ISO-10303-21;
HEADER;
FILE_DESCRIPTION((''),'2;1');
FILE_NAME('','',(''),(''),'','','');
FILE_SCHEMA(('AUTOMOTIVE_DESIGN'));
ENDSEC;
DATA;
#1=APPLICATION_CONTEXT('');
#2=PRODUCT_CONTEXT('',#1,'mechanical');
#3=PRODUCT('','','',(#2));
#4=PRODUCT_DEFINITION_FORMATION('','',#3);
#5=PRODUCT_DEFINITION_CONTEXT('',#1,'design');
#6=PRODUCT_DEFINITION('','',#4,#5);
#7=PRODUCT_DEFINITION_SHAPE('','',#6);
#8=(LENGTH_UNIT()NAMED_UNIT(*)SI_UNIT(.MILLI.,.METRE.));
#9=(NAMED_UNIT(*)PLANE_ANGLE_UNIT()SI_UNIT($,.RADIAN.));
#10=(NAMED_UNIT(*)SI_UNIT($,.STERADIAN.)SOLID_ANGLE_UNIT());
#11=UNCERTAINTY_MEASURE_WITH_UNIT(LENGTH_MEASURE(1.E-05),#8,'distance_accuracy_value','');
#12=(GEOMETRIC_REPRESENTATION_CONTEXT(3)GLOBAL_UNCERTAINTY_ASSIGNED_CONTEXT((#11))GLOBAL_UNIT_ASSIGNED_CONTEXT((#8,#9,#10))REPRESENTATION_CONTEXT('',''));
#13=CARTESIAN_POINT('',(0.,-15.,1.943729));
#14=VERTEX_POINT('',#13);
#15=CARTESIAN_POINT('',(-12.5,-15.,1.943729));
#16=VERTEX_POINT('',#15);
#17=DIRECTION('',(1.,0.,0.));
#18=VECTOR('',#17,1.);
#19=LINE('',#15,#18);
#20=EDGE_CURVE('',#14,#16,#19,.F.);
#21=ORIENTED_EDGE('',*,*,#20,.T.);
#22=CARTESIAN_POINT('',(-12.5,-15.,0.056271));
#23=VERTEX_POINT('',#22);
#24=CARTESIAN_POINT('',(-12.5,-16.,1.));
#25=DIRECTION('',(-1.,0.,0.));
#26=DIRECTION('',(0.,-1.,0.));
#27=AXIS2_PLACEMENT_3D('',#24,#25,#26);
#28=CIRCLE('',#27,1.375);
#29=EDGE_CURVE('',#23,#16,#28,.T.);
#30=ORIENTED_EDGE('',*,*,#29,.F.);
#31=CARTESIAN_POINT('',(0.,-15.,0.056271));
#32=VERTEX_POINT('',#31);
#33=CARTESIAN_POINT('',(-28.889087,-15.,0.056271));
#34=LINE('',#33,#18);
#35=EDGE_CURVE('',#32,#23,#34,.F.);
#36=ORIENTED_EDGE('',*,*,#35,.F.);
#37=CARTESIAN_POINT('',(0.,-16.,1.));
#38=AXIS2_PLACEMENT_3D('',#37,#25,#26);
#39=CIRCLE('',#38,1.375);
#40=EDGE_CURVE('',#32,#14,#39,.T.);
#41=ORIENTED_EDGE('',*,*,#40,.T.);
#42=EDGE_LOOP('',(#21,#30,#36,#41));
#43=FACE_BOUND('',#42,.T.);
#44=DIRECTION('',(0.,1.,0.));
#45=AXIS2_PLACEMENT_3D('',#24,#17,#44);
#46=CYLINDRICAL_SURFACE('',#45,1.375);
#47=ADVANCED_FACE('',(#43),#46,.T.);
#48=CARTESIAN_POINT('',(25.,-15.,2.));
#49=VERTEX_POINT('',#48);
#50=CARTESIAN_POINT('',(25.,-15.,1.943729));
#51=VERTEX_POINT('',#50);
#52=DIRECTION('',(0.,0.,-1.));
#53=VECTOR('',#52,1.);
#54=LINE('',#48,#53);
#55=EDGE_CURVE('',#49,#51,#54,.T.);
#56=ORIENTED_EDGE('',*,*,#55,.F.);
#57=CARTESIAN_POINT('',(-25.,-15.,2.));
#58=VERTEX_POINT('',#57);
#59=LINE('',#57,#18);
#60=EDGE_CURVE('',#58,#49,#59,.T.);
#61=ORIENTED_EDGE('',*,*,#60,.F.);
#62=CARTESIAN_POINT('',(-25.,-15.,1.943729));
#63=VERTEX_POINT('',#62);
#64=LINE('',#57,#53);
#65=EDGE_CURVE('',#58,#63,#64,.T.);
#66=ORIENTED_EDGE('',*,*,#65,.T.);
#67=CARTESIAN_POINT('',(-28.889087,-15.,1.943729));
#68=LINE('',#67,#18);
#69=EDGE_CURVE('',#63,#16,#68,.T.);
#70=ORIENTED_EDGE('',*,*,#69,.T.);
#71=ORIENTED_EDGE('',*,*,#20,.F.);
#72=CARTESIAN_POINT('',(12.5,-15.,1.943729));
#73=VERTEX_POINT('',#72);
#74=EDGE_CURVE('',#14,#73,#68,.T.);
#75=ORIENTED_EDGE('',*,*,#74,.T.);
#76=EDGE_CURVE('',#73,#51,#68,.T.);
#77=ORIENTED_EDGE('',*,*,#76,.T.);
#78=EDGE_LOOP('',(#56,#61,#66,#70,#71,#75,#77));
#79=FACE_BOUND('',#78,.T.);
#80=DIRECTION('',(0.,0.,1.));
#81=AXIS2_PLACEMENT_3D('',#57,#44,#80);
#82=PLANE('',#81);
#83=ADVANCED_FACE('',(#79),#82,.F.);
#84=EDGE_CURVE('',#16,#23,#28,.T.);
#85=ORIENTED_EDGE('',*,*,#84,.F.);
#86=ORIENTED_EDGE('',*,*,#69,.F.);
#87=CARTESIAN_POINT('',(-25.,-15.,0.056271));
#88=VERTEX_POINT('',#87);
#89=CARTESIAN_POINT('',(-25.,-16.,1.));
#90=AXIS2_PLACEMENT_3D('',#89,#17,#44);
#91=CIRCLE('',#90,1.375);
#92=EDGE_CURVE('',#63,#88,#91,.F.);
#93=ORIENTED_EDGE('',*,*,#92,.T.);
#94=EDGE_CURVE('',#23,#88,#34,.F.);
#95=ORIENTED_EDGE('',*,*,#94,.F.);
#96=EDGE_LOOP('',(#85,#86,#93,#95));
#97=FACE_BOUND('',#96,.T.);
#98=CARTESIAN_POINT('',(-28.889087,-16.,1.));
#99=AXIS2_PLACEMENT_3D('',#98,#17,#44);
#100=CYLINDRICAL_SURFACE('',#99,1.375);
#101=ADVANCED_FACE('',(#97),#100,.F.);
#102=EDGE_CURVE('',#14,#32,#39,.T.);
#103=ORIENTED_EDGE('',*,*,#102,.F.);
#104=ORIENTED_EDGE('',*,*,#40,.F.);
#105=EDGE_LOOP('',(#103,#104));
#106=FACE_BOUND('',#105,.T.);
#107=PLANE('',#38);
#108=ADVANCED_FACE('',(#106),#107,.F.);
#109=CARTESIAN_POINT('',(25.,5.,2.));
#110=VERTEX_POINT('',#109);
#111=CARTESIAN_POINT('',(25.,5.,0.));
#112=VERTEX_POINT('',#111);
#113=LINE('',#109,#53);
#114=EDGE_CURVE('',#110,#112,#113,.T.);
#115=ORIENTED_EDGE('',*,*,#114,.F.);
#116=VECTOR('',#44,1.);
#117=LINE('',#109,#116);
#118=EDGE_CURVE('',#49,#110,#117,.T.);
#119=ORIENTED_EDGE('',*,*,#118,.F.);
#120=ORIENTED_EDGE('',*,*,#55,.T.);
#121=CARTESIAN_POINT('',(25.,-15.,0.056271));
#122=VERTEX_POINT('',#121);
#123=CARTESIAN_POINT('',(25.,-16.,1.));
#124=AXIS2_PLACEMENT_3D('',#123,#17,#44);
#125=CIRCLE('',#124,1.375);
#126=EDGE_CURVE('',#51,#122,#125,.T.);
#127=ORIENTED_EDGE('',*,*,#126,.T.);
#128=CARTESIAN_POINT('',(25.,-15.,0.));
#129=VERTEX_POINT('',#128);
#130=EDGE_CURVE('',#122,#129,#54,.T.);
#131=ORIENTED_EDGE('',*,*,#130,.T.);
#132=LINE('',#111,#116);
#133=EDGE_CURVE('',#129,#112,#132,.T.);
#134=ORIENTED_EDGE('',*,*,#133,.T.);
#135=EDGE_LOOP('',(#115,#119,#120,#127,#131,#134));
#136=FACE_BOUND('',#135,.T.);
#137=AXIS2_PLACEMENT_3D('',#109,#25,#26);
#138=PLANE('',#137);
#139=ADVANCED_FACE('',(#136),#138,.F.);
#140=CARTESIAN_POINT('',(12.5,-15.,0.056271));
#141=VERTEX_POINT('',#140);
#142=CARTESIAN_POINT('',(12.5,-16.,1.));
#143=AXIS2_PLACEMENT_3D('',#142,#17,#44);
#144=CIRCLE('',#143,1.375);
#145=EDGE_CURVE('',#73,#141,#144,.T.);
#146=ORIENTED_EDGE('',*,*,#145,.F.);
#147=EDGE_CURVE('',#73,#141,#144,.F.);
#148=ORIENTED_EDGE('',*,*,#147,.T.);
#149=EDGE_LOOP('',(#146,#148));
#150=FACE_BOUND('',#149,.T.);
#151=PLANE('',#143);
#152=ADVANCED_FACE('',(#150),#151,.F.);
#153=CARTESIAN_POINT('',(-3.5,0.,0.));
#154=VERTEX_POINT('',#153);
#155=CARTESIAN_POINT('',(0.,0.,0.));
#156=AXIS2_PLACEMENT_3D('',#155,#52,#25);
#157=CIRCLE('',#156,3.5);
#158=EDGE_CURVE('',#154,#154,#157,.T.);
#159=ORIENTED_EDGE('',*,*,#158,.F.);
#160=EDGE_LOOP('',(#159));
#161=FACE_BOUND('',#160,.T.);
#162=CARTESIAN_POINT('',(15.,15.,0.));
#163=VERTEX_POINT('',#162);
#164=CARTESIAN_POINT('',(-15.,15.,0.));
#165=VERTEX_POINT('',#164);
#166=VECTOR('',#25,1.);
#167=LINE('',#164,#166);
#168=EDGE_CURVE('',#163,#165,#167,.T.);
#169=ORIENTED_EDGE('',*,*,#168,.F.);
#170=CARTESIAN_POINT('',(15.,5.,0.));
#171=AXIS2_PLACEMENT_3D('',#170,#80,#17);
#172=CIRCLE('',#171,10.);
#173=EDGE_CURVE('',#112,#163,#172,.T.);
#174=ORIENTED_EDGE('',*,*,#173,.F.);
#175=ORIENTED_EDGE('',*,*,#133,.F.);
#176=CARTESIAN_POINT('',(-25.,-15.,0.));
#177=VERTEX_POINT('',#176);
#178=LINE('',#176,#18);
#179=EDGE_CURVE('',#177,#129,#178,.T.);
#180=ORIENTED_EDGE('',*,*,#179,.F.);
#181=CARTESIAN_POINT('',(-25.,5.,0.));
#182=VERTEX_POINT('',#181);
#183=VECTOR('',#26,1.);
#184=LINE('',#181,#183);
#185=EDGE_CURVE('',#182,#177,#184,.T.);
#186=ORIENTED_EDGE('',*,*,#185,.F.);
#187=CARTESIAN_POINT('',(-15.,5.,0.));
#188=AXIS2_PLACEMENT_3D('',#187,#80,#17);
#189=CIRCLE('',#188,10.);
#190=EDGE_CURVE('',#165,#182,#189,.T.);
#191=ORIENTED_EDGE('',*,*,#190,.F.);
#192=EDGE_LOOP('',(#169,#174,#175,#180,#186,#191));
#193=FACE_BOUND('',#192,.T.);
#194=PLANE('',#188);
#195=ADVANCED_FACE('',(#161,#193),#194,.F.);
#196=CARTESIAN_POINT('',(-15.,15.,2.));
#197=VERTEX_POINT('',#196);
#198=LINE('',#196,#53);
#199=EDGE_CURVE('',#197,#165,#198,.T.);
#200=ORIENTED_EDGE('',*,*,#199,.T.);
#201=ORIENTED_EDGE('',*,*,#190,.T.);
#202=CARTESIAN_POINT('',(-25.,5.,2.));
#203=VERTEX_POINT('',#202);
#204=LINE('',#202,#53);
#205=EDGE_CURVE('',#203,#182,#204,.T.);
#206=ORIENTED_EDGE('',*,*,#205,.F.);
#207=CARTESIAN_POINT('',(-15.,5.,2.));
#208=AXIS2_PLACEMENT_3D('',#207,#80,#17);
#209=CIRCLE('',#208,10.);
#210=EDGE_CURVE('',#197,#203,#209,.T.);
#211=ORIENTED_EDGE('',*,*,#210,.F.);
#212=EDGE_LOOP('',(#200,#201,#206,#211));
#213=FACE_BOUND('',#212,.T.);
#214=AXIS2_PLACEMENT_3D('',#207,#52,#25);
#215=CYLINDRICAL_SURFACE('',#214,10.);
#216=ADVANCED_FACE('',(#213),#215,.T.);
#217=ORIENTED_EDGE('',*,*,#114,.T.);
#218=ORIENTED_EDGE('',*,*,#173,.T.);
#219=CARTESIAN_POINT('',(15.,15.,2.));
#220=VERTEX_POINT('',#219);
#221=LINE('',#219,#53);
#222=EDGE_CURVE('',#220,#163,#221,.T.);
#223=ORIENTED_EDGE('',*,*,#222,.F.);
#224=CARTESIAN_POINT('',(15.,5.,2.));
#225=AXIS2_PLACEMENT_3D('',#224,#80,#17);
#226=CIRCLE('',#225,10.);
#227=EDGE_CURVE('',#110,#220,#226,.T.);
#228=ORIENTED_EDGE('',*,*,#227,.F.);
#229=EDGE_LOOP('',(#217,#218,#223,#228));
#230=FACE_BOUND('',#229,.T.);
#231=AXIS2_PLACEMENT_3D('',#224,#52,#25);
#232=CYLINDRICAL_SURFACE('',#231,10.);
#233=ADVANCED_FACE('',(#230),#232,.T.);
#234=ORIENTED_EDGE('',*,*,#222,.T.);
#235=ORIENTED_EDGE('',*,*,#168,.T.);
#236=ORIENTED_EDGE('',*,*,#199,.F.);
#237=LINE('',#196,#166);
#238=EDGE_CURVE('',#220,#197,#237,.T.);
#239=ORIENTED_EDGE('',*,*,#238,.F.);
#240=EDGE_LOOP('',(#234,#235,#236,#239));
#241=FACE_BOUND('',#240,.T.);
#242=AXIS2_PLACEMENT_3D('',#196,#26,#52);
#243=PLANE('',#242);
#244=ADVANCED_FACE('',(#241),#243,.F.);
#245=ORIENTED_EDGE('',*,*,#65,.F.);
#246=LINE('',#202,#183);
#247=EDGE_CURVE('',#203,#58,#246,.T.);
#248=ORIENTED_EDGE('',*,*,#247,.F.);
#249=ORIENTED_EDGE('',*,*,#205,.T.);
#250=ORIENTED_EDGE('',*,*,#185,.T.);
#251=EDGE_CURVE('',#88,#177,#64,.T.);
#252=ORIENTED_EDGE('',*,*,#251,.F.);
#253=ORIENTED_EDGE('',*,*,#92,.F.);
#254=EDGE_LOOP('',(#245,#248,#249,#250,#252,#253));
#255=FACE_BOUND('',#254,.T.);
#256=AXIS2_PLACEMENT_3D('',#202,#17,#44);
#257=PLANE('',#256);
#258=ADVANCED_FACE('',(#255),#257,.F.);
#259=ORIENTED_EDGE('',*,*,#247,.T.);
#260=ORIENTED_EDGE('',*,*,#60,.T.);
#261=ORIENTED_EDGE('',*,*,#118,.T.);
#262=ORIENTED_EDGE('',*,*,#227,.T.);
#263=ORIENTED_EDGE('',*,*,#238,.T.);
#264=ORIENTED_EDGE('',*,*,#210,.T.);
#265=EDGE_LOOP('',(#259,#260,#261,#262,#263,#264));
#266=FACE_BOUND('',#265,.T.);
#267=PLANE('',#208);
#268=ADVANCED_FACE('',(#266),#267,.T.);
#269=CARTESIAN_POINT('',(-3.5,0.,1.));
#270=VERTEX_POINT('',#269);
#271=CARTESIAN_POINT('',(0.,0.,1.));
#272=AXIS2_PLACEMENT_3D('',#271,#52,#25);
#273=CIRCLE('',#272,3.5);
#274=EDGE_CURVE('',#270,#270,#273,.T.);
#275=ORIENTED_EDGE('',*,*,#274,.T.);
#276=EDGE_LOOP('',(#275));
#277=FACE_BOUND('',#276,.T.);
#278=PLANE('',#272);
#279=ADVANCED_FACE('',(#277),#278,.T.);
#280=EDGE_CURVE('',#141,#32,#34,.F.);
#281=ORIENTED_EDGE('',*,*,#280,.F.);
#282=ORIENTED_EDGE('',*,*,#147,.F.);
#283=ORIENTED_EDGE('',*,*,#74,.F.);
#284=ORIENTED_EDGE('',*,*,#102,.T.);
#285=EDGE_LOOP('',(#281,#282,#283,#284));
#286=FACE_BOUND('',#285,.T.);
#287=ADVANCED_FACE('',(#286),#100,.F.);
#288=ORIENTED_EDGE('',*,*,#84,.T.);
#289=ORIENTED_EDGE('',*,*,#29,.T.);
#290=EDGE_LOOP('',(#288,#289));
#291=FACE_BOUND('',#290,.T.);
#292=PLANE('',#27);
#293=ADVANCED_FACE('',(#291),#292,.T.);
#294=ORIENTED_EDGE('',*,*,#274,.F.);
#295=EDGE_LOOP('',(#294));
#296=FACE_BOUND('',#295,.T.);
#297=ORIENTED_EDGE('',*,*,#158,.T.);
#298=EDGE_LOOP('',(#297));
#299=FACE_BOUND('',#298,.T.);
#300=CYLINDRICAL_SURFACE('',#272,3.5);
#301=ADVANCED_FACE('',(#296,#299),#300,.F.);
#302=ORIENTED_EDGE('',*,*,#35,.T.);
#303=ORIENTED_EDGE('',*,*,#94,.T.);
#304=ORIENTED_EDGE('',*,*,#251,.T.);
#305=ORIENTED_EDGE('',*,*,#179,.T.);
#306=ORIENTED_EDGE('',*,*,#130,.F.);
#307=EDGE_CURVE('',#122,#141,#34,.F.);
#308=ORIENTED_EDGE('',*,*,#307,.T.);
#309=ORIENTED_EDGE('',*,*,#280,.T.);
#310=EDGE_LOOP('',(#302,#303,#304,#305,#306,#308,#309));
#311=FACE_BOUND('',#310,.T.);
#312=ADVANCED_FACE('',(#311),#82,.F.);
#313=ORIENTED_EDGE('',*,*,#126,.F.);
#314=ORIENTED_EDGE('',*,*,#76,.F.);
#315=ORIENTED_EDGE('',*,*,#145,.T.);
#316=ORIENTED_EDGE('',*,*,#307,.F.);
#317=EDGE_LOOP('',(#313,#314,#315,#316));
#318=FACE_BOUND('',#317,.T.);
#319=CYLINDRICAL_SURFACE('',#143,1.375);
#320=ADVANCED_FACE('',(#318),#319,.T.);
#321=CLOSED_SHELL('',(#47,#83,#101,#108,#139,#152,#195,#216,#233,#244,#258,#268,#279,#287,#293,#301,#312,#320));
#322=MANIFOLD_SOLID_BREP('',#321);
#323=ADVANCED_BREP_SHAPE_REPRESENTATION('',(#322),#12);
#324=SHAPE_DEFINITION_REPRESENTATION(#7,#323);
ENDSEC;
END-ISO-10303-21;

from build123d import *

# Parameters (mm, degrees)
BOSS_EXTRUDE1_DEPTH = 2
SKETCH3_R           = 1.375
CUT_EXTRUDE1_DEPTH  = 50
SKETCH3_2_R         = 1.375
BOSS_EXTRUDE2_DEPTH = 12.5
SKETCH5_R           = 1.375
BOSS_EXTRUDE3_DEPTH = 12.5
SKETCH7_R           = 3.5
CUT_EXTRUDE2_DEPTH  = 1


with BuildPart() as part:
    # Sketch1 → Boss-Extrude1 (new body)
    with BuildSketch(Plane.XY):
        with BuildLine():
            Line((-15, 15), (15, 15))
            ThreePointArc((15, 15), (22.071067812, 12.071067812), (25, 5))
            Line((25, 5), (25, -15))
            Line((25, -15), (-25, -15))
            Line((-25, -15), (-25, 5))
            ThreePointArc((-25, 5), (-22.071067812, 12.071067812), (-15, 15))
        make_face()
    extrude(amount=BOSS_EXTRUDE1_DEPTH)

    # Sketch3 → Cut-Extrude1 (cut)
    with BuildSketch(Plane(origin=(25, 0, 0), x_dir=(0, 0, -1), z_dir=(1, 0, 0))):
        with Locations((-1, -16)):
            Circle(SKETCH3_R)
    extrude(amount=-CUT_EXTRUDE1_DEPTH, mode=Mode.SUBTRACT)

    # Sketch3<2> → Boss-Extrude2 (add)
    with BuildSketch(Plane(origin=(25, 0, 0), x_dir=(0, 0, -1), z_dir=(1, 0, 0))):
        with Locations((-1, -16)):
            Circle(SKETCH3_2_R)
    extrude(amount=-BOSS_EXTRUDE2_DEPTH)

    # Sketch5 → Boss-Extrude3 (add)
    with BuildSketch(Plane.ZY):
        with Locations((1, -16)):
            Circle(SKETCH5_R)
    extrude(amount=BOSS_EXTRUDE3_DEPTH)

    # Sketch7 → Cut-Extrude2 (cut)
    with BuildSketch(Plane(origin=(0, 0, 0), x_dir=(-1, 0, 0), z_dir=(0, 0, -1))):
        Circle(SKETCH7_R)
    extrude(amount=-CUT_EXTRUDE2_DEPTH, mode=Mode.SUBTRACT)


solid = part.part
